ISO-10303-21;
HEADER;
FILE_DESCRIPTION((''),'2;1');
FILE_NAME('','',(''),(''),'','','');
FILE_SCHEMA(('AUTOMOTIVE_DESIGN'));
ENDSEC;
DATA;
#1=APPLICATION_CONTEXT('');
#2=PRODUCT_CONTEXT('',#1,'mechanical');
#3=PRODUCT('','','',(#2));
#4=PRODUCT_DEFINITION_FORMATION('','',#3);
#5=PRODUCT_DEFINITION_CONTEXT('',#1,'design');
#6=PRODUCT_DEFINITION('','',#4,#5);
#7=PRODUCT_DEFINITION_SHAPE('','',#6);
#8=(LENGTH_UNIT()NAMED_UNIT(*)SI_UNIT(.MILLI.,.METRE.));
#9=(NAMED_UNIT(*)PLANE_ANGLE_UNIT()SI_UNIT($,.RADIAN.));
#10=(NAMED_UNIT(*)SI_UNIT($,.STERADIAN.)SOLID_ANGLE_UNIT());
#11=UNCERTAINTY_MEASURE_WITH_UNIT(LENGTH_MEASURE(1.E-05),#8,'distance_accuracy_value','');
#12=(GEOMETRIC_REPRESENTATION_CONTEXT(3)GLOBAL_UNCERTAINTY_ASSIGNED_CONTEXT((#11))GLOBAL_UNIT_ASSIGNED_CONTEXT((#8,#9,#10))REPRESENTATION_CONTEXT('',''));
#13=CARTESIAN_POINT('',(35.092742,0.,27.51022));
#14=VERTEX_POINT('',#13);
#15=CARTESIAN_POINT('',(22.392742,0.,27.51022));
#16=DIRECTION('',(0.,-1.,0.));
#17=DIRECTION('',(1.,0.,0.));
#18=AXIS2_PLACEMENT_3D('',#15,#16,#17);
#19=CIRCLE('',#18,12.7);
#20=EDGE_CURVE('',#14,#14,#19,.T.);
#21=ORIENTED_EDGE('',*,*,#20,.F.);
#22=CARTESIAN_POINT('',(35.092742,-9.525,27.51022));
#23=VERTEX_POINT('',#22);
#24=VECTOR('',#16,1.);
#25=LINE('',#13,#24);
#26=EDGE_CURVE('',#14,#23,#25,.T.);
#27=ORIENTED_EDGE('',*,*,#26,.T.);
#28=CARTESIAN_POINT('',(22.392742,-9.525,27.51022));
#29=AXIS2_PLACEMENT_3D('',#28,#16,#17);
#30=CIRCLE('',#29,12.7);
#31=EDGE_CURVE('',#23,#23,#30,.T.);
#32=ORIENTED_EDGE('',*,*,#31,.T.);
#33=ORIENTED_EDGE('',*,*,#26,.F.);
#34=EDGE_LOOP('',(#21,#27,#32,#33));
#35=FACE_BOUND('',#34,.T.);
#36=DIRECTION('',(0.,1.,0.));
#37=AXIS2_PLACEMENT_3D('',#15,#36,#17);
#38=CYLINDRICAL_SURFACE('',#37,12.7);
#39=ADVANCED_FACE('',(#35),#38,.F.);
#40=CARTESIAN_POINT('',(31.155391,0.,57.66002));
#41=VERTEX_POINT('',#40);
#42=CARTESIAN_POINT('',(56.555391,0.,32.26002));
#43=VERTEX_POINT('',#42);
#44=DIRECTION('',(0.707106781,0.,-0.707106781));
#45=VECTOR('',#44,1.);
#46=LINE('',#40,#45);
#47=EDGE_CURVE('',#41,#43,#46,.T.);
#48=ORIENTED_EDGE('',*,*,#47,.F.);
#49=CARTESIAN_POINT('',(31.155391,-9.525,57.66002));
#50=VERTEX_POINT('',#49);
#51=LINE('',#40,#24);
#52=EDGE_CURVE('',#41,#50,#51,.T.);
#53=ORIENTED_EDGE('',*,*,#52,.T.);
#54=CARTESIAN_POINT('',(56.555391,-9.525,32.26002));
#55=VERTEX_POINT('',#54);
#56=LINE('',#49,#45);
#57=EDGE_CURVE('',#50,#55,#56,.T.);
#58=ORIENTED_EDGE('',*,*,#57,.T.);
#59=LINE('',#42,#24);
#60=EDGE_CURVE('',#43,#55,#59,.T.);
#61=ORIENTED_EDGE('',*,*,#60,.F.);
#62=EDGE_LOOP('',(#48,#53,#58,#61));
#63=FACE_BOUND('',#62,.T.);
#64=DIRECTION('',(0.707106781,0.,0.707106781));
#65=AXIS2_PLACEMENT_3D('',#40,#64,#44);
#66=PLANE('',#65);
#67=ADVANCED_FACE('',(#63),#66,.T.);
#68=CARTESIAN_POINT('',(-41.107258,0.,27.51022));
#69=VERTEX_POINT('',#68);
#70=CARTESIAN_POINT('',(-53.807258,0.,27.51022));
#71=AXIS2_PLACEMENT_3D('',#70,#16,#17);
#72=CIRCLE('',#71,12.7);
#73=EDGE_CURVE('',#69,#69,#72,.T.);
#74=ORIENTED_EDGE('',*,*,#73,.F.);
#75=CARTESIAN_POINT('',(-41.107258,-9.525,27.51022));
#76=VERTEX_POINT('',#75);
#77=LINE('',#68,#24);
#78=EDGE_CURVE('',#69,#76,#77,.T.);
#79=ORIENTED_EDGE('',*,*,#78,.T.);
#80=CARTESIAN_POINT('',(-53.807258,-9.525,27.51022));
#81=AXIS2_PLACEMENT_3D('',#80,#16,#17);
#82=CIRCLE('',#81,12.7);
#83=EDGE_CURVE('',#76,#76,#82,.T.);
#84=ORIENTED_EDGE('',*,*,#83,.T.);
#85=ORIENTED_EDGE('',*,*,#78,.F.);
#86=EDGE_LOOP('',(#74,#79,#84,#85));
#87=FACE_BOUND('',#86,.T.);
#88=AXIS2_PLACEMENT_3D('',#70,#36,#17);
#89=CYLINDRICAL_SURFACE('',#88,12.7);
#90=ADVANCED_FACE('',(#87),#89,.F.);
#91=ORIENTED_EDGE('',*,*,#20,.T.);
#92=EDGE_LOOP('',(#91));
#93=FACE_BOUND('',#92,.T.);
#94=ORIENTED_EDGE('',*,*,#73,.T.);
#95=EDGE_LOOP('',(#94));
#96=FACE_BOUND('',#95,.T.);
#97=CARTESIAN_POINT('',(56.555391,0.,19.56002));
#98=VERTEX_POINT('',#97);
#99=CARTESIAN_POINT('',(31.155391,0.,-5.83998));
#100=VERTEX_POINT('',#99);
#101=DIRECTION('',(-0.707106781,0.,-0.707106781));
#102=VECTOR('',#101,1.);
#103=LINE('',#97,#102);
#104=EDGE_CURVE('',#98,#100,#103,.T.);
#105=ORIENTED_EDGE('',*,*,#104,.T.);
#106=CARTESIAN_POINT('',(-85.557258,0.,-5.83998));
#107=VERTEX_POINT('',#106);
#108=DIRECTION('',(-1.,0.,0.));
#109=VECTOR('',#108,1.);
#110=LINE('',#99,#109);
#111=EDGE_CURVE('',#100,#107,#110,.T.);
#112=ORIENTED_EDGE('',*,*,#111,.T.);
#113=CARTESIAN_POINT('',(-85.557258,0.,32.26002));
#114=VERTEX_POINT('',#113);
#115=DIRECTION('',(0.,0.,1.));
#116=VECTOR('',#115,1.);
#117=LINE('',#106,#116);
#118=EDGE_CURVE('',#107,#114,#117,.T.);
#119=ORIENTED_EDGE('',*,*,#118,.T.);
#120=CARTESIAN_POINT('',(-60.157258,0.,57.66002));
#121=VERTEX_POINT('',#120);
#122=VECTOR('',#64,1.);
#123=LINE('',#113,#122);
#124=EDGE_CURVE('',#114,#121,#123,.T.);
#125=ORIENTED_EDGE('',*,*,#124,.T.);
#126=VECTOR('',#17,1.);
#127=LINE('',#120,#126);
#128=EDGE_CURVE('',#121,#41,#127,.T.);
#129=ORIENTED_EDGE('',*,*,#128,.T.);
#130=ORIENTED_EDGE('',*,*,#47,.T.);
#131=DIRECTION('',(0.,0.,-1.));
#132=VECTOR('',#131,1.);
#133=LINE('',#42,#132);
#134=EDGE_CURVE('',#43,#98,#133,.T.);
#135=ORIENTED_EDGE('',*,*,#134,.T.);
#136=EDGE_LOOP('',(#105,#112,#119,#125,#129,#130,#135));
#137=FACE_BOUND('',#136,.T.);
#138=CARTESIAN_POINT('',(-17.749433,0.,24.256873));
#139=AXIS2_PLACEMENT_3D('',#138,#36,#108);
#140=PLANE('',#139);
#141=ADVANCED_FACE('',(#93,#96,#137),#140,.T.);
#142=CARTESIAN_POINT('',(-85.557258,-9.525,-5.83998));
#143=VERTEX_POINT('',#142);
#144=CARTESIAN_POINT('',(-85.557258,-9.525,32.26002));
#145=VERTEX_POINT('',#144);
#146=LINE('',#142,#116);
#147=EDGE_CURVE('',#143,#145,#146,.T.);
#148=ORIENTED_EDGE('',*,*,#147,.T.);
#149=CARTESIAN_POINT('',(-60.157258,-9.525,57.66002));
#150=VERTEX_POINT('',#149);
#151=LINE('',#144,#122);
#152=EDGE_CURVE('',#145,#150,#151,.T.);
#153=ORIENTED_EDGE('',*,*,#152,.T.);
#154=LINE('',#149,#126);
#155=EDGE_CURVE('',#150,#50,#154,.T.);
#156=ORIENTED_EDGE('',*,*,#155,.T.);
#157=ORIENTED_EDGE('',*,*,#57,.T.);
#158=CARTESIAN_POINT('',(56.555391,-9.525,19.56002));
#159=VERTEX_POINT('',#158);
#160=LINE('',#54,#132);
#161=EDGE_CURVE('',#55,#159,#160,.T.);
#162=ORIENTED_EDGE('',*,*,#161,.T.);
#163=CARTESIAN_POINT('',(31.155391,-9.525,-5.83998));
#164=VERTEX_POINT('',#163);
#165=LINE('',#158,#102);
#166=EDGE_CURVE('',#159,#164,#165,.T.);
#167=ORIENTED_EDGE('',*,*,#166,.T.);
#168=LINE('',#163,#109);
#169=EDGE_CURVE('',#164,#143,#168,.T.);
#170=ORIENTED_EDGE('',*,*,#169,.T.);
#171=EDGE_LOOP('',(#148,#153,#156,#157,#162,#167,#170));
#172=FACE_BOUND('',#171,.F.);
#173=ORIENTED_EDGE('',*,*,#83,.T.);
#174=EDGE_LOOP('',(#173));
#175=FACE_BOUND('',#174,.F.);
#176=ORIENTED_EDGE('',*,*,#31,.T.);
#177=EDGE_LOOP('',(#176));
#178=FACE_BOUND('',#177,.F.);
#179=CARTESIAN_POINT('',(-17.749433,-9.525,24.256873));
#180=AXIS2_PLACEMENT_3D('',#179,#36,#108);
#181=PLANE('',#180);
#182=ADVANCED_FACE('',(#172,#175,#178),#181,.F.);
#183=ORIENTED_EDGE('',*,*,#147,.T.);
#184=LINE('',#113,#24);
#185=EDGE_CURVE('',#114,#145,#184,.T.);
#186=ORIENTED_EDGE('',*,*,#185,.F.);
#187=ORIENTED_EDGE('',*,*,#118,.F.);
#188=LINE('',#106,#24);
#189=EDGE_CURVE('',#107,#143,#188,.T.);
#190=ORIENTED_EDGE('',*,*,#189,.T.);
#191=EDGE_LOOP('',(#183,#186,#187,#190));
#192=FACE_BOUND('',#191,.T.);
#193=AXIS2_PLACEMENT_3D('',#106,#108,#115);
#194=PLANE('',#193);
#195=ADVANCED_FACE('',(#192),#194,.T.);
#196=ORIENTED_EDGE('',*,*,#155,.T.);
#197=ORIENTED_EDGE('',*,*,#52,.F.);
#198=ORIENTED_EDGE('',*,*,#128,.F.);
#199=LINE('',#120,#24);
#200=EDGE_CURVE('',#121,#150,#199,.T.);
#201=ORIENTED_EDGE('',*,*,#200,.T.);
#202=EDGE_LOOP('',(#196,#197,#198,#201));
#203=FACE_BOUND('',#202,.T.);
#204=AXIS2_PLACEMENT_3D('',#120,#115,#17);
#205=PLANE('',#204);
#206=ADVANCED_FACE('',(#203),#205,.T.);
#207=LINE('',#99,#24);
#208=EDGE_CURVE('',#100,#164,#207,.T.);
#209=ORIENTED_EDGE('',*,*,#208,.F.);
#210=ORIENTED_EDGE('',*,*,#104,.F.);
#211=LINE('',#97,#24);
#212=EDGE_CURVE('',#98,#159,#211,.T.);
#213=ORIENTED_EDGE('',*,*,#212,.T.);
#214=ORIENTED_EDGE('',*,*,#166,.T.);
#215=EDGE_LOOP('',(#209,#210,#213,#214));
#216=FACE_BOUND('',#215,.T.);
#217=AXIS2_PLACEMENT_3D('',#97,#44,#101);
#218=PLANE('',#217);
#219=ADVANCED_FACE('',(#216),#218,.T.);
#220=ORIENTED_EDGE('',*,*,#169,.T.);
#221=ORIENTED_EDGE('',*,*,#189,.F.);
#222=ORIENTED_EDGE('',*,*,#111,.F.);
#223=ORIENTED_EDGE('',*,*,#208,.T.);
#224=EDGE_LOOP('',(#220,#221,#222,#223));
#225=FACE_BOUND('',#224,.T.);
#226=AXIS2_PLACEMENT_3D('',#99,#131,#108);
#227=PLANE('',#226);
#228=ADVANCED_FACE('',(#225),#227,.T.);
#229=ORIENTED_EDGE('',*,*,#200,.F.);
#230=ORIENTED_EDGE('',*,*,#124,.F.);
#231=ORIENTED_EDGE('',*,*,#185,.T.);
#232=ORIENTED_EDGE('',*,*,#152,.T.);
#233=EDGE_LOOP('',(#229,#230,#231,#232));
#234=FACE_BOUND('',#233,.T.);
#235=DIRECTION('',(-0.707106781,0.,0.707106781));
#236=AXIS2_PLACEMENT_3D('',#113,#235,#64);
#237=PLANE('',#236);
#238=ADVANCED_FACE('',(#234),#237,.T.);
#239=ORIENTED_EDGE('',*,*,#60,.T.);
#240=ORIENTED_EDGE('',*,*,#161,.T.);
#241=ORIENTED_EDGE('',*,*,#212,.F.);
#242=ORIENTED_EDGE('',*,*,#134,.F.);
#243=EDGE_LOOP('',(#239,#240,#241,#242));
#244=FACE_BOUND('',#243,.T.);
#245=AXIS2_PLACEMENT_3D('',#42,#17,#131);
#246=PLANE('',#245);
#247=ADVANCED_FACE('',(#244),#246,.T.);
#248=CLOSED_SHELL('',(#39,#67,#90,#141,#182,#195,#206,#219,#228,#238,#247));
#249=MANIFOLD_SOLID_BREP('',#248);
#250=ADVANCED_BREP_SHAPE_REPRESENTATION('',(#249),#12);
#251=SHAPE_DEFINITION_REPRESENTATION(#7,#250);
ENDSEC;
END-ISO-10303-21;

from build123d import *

# Parameters (mm, degrees)
SKETCH_R  = 12.7
PAD_DEPTH = 9.525


with BuildPart() as part:
    # Sketch → Pad (new body)
    with BuildSketch(Plane.XZ):
        Polygon((-60.157258, 57.66002), (31.155391, 57.66002), (56.555391, 32.26002), (56.555391, 19.56002), (31.155391, -5.83998), (-85.557258, -5.83998), (-85.557258, 32.26002), align=None)
        with Locations((-53.807258, 27.51022)):
            Circle(SKETCH_R, mode=Mode.SUBTRACT)
        with Locations((22.392742, 27.51022)):
            Circle(SKETCH_R, mode=Mode.SUBTRACT)
    extrude(amount=PAD_DEPTH)


solid = part.part
